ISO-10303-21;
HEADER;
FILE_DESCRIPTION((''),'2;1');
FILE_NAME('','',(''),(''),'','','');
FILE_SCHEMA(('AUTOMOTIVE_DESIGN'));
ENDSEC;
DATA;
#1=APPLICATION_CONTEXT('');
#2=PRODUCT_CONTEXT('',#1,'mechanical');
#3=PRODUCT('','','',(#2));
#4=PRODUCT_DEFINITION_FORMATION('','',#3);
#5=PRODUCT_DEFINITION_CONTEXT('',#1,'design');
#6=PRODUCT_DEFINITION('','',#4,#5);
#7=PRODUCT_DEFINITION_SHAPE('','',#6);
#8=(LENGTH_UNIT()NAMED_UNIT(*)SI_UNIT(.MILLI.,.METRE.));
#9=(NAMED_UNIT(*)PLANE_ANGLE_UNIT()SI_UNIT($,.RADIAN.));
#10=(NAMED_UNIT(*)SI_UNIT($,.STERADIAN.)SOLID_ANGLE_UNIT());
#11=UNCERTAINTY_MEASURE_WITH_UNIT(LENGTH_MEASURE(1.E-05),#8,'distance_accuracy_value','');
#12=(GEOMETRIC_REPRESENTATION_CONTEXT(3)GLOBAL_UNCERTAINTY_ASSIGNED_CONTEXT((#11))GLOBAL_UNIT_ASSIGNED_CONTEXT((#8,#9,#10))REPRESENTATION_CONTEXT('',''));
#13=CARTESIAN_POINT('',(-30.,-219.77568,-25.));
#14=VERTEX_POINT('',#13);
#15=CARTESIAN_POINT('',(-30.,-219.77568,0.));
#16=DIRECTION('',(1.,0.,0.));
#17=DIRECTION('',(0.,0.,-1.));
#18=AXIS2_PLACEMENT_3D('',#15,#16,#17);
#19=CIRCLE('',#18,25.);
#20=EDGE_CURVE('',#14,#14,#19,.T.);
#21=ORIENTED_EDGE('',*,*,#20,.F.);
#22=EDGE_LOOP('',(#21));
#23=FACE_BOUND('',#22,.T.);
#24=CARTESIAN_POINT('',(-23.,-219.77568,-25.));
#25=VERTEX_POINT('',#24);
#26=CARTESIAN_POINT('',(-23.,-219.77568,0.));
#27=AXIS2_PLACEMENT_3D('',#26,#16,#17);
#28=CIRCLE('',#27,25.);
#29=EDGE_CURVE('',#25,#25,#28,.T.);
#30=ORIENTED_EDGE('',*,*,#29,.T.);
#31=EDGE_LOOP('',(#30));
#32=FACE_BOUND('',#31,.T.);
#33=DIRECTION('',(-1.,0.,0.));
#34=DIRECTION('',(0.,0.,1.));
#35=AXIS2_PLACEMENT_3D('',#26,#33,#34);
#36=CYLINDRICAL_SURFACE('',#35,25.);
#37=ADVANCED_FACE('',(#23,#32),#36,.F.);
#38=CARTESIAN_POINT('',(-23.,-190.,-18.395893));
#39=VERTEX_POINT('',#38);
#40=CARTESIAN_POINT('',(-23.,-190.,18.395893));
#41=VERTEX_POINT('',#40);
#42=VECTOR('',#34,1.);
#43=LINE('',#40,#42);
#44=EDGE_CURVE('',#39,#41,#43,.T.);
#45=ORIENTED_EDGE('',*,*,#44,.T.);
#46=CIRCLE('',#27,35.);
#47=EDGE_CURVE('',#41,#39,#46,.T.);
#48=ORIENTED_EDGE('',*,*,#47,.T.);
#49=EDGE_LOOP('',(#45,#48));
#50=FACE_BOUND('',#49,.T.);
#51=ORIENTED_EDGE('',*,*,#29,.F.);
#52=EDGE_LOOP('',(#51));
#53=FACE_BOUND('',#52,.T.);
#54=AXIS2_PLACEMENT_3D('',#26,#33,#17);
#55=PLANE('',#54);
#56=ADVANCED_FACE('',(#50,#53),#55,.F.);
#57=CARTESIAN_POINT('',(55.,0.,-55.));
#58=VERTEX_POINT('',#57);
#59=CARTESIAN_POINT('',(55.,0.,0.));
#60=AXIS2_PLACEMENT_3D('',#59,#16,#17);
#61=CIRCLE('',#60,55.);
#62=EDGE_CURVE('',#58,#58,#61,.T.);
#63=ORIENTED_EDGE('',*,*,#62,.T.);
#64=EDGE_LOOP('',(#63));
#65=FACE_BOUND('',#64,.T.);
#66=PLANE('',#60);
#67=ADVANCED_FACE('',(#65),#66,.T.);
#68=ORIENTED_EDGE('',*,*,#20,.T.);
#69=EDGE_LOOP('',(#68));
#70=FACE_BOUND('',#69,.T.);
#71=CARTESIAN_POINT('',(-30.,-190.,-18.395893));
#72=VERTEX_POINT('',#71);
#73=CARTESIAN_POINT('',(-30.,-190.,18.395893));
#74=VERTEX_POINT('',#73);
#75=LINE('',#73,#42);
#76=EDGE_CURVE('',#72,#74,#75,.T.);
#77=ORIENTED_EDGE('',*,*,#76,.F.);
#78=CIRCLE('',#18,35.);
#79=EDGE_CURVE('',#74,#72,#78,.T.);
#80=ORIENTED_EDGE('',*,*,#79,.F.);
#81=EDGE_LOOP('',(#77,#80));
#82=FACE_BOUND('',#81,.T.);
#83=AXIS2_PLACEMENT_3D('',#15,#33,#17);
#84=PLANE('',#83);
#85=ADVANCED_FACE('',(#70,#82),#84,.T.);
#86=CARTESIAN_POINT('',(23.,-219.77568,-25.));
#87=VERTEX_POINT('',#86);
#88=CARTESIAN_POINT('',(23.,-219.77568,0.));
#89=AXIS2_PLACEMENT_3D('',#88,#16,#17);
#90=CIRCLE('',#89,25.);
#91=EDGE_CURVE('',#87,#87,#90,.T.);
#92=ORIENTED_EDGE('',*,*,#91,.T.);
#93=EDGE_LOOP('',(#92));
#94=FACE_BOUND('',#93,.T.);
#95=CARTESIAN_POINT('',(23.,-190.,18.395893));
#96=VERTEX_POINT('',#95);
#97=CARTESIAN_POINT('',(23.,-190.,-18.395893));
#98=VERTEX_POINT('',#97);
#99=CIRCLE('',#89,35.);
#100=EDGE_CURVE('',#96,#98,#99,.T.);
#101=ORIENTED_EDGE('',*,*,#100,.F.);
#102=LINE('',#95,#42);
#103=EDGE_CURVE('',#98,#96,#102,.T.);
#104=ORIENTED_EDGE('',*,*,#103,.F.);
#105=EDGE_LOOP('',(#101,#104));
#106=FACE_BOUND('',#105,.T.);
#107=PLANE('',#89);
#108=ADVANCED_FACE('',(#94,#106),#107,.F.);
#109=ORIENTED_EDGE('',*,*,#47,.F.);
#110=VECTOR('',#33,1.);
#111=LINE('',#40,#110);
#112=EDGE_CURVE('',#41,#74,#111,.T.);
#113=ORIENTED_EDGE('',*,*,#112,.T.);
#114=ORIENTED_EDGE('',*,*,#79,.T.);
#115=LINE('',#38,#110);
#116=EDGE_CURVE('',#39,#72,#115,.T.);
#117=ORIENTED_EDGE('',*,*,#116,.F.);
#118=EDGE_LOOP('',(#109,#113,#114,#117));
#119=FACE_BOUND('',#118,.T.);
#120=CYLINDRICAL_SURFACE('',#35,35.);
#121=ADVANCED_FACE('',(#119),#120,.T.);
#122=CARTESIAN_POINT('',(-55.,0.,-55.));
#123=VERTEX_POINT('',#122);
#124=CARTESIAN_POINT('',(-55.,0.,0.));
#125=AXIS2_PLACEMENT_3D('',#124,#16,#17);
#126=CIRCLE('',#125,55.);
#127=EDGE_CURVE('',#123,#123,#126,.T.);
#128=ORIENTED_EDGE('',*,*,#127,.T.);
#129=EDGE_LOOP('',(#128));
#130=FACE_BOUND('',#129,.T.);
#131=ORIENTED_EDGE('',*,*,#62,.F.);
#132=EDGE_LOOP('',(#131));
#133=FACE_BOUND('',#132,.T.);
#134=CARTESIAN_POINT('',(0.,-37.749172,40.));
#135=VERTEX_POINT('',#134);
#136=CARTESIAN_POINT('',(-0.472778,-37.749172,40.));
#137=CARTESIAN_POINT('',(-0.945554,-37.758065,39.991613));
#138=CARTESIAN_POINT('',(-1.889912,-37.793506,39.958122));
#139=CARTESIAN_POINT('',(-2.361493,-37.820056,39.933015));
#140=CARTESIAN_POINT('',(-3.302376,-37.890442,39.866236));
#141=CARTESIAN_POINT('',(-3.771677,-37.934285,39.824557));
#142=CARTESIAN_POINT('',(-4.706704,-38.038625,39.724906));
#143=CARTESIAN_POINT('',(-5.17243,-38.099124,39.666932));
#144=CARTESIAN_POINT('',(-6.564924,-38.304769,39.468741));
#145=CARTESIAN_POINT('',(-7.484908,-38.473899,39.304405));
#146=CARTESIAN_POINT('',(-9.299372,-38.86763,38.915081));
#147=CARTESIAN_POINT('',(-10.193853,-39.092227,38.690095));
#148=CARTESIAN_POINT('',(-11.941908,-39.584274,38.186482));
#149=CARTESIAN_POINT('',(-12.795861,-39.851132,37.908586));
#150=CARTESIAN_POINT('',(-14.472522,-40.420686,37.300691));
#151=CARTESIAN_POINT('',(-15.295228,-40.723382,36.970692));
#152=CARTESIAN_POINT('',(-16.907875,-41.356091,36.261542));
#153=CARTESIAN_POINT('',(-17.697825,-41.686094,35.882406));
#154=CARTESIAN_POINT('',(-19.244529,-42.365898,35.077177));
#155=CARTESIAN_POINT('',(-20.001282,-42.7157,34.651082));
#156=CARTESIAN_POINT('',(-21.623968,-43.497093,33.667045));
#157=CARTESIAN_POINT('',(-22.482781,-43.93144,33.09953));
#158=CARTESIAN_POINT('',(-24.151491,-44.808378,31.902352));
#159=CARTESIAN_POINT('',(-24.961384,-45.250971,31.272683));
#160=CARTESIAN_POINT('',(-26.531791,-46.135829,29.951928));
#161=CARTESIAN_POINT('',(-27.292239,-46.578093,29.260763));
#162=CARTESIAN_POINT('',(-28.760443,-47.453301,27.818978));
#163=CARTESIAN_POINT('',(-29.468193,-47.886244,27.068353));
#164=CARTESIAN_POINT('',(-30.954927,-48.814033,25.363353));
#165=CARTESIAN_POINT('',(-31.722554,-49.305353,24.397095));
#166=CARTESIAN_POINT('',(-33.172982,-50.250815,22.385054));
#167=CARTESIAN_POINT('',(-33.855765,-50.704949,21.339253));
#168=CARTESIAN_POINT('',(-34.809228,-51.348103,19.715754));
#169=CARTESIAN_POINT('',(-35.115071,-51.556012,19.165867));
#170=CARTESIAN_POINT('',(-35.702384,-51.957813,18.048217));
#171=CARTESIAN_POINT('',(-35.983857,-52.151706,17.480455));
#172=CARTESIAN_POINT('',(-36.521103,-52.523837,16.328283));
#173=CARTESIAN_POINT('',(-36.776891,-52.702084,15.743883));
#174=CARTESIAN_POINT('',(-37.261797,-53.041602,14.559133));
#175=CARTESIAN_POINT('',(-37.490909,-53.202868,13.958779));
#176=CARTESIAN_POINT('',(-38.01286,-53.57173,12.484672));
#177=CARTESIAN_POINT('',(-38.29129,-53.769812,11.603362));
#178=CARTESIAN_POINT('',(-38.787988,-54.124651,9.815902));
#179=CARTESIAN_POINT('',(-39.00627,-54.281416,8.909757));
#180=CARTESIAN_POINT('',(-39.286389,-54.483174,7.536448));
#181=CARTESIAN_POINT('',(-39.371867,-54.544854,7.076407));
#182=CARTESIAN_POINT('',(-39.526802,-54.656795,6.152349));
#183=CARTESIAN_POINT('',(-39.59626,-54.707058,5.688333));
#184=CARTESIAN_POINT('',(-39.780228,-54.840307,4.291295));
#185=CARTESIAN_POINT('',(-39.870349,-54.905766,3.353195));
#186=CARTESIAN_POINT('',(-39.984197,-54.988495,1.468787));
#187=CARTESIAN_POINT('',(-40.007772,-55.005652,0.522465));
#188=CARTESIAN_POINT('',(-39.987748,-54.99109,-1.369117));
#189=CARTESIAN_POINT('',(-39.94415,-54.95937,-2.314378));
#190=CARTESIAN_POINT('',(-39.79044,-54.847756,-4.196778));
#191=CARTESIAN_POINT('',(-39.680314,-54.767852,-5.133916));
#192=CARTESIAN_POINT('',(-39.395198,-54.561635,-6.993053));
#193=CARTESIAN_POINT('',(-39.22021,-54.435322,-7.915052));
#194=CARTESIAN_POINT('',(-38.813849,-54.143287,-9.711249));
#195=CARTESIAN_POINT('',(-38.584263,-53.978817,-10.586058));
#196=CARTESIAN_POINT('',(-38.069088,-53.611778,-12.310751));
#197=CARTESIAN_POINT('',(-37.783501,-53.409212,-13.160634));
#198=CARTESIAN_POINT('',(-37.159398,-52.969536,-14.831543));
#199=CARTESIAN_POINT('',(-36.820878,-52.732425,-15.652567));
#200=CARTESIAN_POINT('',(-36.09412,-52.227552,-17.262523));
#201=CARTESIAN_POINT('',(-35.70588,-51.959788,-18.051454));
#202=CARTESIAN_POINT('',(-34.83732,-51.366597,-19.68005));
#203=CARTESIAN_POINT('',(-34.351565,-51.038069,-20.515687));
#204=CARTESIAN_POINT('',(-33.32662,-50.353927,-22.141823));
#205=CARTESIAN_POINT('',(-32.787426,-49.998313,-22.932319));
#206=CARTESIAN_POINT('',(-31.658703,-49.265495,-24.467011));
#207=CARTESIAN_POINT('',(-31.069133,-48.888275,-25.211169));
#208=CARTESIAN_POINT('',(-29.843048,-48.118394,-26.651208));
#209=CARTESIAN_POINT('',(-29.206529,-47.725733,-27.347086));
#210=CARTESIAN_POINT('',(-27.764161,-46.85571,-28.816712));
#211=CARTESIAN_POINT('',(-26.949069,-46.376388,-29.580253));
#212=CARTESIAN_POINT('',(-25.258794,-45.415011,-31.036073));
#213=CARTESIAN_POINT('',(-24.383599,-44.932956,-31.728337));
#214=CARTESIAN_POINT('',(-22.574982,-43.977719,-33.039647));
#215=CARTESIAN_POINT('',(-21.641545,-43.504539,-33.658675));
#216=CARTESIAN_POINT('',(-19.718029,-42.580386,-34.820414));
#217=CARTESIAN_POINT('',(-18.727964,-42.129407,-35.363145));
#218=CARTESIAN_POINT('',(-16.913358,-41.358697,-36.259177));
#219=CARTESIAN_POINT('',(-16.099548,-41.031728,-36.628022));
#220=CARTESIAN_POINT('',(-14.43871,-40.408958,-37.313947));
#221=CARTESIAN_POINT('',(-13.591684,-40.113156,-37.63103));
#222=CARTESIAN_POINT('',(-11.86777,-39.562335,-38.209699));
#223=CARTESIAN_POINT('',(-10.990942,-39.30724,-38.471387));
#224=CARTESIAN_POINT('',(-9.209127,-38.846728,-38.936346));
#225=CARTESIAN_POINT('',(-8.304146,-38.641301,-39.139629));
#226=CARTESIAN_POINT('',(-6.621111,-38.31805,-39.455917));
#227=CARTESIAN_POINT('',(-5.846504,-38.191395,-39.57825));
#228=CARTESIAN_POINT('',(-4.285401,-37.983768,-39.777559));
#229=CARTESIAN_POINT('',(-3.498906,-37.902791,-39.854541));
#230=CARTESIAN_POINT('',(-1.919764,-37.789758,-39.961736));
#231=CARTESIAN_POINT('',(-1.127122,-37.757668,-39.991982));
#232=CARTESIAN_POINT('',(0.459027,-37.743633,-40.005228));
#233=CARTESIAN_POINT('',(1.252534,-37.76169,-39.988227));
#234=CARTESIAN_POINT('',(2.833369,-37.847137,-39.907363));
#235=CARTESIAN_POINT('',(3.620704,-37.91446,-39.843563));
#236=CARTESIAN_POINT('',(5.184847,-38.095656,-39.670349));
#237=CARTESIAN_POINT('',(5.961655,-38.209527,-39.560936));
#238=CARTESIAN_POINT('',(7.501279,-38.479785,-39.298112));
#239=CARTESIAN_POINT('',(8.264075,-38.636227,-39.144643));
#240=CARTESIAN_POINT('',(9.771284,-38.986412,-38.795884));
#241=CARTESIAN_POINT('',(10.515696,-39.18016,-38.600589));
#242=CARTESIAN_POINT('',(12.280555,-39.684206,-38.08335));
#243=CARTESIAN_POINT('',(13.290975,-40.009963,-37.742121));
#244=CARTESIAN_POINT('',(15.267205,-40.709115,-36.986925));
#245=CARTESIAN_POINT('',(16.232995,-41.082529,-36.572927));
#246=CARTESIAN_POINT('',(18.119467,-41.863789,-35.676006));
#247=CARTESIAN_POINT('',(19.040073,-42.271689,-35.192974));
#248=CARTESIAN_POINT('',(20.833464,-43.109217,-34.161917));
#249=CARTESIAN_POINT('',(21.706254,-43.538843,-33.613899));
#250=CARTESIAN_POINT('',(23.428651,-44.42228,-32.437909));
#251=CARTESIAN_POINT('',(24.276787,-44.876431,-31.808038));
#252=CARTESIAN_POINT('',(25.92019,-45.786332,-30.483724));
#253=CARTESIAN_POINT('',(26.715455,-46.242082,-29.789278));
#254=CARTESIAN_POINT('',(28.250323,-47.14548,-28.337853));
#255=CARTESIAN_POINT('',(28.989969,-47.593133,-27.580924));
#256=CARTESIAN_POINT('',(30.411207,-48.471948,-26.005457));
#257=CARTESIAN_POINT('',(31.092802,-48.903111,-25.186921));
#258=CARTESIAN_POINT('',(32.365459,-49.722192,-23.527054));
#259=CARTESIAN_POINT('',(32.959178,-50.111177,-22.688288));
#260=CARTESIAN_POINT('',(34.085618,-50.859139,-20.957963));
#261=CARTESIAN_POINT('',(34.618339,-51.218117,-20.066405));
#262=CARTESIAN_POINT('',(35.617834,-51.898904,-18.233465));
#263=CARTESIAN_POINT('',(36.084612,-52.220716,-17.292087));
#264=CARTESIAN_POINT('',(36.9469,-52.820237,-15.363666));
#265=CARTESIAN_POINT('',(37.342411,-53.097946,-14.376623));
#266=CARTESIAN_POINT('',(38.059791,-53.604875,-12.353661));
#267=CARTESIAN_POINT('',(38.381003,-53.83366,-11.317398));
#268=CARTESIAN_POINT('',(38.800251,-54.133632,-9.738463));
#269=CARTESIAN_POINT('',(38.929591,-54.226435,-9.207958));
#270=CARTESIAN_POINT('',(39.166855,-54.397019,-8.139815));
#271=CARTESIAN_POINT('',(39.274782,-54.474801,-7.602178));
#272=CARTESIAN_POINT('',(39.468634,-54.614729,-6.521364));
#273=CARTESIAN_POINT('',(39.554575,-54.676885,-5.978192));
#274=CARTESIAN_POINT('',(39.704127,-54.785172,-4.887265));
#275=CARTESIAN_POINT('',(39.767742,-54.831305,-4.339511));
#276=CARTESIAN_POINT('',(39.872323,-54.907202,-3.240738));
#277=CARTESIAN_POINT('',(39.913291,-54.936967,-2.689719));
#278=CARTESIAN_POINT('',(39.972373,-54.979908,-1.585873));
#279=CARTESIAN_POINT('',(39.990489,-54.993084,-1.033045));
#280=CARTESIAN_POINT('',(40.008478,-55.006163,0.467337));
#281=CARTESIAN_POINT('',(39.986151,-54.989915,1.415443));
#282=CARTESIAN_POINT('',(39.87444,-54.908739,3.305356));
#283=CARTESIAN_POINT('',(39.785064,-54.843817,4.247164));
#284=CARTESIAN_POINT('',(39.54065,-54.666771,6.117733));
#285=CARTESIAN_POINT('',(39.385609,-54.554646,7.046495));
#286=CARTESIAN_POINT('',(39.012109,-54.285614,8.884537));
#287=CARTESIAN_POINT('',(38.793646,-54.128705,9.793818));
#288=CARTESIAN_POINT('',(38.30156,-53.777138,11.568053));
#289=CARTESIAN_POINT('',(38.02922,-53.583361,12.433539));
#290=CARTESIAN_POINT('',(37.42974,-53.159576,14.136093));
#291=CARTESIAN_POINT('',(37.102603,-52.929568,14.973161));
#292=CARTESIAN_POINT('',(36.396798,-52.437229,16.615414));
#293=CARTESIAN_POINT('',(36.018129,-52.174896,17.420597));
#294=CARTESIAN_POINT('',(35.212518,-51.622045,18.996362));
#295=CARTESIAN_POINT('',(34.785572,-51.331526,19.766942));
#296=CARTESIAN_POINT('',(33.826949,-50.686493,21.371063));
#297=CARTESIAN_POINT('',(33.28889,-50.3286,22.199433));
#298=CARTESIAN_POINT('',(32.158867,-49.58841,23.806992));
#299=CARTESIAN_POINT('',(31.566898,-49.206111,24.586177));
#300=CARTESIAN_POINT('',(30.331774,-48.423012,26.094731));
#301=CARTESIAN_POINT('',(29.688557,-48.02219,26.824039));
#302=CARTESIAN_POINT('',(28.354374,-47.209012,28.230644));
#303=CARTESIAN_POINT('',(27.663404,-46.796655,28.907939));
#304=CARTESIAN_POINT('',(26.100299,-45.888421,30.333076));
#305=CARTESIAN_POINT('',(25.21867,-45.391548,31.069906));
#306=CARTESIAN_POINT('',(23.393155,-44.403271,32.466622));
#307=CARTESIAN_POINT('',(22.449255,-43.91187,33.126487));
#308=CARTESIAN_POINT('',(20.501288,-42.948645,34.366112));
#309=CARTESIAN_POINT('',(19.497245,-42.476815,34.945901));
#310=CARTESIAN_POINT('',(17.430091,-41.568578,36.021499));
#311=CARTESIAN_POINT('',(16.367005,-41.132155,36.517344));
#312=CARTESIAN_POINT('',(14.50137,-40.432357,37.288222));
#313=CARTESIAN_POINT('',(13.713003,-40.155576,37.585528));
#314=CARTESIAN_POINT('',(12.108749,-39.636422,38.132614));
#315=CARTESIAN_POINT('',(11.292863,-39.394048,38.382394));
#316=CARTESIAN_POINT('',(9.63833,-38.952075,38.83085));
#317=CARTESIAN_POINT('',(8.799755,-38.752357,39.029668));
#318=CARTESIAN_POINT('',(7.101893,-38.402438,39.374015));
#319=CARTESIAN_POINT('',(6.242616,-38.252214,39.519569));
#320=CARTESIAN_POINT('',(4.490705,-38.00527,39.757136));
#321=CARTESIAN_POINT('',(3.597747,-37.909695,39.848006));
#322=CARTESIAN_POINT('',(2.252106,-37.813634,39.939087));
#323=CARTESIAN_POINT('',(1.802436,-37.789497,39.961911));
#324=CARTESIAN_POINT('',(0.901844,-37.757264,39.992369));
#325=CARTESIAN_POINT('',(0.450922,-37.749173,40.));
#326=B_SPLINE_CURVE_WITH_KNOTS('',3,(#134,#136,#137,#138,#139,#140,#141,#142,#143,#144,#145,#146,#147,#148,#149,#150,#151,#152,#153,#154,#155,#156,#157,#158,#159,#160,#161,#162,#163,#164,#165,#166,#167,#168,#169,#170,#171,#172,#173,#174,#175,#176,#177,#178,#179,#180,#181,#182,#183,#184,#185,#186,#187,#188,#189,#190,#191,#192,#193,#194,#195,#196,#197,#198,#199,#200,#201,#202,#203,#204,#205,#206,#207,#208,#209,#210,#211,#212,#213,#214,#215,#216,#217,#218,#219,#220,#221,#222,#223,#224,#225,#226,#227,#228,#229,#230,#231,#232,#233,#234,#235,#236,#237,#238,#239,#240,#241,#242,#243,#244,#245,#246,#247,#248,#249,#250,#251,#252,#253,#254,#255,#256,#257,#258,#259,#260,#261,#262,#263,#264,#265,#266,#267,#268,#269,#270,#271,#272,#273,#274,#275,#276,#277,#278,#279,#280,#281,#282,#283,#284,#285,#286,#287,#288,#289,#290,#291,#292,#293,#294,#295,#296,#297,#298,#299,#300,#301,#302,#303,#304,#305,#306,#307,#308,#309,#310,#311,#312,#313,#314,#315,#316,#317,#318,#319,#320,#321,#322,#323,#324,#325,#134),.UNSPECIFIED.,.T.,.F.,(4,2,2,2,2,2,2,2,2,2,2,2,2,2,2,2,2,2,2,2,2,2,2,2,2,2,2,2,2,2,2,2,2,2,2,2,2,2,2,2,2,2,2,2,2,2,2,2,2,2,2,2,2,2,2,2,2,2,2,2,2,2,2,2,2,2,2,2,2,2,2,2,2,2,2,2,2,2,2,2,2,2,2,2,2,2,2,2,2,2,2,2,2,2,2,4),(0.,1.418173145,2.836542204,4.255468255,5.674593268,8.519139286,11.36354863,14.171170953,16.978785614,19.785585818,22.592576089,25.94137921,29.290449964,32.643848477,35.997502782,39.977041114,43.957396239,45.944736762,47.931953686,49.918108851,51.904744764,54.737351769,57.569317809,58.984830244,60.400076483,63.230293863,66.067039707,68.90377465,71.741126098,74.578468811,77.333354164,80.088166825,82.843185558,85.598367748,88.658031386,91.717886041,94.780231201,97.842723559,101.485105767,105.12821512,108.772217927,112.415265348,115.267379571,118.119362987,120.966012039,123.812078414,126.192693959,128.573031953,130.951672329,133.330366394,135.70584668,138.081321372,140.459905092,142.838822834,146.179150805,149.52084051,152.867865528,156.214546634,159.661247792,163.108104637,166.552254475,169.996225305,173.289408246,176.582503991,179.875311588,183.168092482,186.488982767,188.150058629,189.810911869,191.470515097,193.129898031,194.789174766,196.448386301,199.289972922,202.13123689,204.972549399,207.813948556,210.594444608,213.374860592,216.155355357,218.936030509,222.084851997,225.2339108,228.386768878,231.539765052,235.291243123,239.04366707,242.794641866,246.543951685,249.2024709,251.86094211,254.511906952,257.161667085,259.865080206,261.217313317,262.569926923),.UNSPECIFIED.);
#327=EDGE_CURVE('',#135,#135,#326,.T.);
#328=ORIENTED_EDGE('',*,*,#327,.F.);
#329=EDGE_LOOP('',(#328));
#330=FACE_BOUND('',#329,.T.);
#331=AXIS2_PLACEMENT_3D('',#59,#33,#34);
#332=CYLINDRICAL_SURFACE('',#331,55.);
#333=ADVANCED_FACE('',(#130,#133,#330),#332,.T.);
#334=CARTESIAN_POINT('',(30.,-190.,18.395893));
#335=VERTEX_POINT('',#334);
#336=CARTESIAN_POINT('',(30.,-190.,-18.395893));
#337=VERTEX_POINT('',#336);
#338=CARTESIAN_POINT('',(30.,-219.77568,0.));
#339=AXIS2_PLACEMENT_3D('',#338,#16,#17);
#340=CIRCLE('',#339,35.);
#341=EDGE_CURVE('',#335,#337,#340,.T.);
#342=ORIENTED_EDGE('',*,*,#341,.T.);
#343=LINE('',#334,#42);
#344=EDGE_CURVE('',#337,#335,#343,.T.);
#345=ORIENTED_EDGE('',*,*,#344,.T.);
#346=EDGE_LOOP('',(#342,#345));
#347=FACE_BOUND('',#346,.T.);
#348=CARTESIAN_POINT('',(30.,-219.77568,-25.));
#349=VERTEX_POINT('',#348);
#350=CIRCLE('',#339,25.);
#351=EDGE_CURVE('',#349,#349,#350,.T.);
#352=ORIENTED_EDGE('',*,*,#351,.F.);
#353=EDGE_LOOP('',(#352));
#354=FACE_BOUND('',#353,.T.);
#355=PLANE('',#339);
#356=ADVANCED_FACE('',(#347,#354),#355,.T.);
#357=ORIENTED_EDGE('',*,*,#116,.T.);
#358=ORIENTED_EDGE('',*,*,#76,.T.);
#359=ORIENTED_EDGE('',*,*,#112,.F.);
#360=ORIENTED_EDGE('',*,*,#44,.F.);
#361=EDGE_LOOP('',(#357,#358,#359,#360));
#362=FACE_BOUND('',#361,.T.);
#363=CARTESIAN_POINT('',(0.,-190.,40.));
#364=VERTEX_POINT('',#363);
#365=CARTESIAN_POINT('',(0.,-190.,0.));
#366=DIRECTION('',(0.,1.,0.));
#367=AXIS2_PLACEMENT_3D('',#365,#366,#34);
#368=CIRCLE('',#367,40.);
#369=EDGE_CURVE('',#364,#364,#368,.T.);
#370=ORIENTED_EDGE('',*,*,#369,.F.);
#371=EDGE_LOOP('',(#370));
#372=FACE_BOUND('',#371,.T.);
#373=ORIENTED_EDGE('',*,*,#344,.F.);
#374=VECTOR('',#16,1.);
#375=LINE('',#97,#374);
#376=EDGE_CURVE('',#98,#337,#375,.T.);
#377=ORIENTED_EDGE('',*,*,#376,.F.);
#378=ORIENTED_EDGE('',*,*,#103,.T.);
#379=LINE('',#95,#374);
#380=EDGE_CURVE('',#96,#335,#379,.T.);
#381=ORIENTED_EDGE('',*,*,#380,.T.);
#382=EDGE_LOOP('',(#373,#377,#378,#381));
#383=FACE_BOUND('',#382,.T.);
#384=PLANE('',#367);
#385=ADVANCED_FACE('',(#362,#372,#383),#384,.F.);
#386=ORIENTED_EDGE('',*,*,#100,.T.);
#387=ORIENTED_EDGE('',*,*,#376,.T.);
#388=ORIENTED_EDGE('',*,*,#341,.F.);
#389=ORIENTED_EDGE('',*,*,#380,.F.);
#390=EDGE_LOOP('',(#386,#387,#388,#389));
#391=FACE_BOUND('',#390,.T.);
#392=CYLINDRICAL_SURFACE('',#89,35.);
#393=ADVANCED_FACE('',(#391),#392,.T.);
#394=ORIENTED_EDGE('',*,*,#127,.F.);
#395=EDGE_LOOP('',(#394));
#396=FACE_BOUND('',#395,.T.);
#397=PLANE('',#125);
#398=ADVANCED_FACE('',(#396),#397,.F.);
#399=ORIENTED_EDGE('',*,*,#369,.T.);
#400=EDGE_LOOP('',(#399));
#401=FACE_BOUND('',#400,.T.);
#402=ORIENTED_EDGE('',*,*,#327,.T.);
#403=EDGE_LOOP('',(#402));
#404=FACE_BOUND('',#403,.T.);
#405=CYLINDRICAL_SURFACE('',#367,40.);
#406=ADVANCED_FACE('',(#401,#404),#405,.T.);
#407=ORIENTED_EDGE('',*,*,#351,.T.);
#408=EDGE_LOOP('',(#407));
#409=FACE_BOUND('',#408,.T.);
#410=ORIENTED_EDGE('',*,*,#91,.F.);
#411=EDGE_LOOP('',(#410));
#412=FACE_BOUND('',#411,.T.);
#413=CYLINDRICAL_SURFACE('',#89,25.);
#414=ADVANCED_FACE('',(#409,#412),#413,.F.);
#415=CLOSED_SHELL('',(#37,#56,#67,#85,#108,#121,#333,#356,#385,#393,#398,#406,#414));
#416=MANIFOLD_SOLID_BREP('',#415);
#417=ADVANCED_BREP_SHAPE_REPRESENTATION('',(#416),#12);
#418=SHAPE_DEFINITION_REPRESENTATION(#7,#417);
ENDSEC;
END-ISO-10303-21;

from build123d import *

# Parameters (mm, degrees)
SKETCH2_R           = 40
BOSS_EXTRUDE2_DEPTH = 190
SKETCH3_R           = 55
BOSS_EXTRUDE3_DEPTH = 55
SKETCH4_R           = 25
BOSS_EXTRUDE4_DEPTH = 7


with BuildPart() as part:
    # Sketch2 → Boss-Extrude2 (new body)
    with BuildSketch(Plane(origin=(0, 0, 0), x_dir=(1, 0, 0), z_dir=(0, 1, 0))):
        Circle(SKETCH2_R)
    extrude(amount=-BOSS_EXTRUDE2_DEPTH)

    # Sketch3 → Boss-Extrude3 (add, symmetric)
    with BuildSketch(Plane(origin=(0, 0, 0), x_dir=(0, 0, -1), z_dir=(1, 0, 0))):
        Circle(SKETCH3_R)
    extrude(amount=BOSS_EXTRUDE3_DEPTH, both=True)

    # Sketch4 → Boss-Extrude4 (add)
    with BuildSketch(Plane(origin=(30, 0, 0), x_dir=(0, 0, -1), z_dir=(1, 0, 0))):
        with BuildLine():
            Line((-18.395893308, -190), (18.395893308, -190))
            ThreePointArc((18.395893308, -190), (0, -254.775679831), (-18.395893308, -190))
        make_face()
        with Locations((0, -219.775679831)):
            Circle(SKETCH4_R, mode=Mode.SUBTRACT)
    boss_extrude4 = extrude(amount=-BOSS_EXTRUDE4_DEPTH)

    # Mirror1: Boss-Extrude4 across plane
    add(boss_extrude4.mirror(Plane(origin=(0, 0, 0), x_dir=(0, 0, 1), z_dir=(1, 0, 0))))


solid = part.part
